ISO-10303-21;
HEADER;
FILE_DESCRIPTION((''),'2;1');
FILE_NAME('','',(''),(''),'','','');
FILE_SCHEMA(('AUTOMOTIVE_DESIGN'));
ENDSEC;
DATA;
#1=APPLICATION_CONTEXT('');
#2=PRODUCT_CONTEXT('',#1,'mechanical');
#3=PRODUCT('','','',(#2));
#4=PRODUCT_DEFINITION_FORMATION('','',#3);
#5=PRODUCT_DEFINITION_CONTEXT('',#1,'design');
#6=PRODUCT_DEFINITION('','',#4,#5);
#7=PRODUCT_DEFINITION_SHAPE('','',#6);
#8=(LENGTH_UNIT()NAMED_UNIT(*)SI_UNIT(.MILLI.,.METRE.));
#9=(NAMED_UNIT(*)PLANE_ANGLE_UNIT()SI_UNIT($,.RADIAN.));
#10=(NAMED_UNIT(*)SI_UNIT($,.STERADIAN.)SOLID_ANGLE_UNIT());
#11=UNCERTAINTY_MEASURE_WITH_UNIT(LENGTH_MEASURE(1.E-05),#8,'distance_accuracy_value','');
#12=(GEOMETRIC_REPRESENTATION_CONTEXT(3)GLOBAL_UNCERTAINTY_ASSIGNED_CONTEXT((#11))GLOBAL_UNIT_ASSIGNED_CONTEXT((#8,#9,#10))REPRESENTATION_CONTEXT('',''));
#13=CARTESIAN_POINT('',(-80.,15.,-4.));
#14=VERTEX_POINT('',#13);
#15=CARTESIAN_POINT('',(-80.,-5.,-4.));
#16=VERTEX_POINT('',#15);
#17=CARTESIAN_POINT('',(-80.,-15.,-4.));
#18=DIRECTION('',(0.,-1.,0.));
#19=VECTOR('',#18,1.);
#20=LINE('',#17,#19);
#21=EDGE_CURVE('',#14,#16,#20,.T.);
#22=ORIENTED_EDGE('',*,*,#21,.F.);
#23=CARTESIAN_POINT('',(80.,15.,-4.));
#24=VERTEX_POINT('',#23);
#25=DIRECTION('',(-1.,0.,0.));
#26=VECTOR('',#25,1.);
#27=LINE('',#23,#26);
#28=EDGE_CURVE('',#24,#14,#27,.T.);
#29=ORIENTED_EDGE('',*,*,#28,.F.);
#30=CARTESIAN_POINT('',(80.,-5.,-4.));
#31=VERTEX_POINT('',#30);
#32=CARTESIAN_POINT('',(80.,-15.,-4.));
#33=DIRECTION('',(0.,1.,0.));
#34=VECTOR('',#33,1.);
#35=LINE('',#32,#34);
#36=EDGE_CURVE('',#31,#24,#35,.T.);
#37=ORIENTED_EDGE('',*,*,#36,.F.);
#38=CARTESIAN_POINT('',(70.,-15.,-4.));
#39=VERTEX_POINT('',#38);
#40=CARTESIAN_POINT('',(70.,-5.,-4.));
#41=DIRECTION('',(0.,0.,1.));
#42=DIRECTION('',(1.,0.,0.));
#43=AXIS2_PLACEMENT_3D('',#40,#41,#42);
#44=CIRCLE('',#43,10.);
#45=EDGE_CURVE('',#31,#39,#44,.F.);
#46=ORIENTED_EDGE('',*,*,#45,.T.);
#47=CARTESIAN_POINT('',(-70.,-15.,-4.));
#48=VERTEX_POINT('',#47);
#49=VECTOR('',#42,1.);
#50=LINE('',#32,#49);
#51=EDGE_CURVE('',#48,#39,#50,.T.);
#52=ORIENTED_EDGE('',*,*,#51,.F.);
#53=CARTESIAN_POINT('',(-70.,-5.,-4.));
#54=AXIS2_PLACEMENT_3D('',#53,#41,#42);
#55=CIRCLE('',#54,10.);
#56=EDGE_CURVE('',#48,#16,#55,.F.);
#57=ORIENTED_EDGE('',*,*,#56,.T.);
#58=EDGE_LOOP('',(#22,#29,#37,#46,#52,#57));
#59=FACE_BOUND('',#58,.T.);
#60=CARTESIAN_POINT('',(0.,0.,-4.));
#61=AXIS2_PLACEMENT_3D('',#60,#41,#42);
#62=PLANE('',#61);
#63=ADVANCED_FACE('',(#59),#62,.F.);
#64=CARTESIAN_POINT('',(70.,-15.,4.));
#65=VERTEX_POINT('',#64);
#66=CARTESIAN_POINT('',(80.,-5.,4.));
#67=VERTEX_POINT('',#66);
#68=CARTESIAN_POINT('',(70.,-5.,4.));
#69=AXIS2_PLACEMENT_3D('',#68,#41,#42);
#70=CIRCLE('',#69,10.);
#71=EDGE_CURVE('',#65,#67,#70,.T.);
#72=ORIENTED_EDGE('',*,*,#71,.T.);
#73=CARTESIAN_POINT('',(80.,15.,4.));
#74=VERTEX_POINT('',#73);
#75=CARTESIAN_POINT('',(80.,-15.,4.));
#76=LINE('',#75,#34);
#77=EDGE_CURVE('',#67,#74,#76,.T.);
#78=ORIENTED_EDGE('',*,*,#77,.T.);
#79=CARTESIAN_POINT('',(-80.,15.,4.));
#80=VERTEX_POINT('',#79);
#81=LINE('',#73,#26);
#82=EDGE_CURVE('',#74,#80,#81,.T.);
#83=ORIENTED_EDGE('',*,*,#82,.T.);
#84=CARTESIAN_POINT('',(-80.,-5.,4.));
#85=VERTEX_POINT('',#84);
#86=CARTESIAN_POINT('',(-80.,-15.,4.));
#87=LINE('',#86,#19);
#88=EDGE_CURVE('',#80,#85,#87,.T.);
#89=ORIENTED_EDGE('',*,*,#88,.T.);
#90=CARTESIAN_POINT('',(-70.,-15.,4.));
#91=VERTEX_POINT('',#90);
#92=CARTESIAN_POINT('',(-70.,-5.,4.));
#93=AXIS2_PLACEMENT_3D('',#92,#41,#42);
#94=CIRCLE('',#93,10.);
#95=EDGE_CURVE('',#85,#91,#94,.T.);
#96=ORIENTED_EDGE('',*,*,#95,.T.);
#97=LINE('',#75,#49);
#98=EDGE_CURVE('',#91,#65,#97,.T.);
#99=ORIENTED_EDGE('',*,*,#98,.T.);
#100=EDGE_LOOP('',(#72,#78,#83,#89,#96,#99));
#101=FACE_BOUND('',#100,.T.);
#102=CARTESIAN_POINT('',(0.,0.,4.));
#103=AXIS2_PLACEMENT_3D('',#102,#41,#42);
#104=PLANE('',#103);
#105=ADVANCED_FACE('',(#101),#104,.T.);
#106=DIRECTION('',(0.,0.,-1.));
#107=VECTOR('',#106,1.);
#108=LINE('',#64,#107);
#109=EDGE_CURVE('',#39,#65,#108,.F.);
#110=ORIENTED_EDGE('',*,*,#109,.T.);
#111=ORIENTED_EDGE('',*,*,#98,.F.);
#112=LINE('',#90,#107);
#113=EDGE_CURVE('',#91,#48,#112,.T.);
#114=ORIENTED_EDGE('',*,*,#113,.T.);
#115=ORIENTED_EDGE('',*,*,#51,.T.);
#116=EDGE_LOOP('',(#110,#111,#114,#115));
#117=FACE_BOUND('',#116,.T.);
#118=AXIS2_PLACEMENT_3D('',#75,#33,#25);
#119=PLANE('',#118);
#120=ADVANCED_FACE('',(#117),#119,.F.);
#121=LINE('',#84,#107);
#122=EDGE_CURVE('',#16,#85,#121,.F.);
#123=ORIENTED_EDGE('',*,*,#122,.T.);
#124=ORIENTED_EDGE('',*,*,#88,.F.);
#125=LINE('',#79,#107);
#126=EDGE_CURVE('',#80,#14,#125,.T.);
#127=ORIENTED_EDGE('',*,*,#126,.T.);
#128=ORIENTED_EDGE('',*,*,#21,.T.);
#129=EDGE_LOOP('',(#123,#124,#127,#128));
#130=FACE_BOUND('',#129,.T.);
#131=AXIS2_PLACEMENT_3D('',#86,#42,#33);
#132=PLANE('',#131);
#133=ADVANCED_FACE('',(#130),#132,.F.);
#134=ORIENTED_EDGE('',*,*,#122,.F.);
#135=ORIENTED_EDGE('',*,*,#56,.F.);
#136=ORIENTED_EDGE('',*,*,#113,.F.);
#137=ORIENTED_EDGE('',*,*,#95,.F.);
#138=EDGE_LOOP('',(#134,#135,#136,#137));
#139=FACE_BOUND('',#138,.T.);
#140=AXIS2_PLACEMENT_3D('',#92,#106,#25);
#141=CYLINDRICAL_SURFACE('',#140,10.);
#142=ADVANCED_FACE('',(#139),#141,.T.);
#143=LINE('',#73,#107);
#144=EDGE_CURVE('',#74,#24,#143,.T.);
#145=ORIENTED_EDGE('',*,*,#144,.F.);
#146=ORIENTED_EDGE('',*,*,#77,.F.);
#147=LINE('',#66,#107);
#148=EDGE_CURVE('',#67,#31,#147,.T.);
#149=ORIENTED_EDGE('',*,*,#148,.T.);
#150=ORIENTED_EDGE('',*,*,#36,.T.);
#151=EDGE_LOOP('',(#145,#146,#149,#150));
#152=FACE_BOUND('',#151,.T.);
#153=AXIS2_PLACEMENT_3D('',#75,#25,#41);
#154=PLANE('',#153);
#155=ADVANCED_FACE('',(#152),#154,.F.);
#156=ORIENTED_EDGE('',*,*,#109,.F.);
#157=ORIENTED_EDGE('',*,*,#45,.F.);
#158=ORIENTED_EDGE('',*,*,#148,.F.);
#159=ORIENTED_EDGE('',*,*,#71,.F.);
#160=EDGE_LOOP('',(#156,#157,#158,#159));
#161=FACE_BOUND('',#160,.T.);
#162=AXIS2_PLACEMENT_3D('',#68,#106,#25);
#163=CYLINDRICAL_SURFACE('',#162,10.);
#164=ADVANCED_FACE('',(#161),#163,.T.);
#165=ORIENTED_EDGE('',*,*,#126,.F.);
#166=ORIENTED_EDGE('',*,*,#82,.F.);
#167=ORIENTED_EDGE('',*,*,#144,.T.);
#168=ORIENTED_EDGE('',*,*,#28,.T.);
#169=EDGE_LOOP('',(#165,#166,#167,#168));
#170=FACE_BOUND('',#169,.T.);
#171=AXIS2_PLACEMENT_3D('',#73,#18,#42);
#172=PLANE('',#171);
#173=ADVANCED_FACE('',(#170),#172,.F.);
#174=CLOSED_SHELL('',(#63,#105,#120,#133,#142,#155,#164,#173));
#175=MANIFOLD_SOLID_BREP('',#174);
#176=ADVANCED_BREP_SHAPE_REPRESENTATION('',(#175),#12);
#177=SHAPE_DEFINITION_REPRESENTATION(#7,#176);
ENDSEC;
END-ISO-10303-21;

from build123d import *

# Parameters (mm, degrees)
SKETCH1_W           = 160
SKETCH1_H           = 30
BOSS_EXTRUDE1_DEPTH = 4
FILLET1_R           = 10


with BuildPart() as part:
    # Sketch1 → Boss-Extrude1 (new, symmetric)
    with BuildSketch(Plane.XY):
        Rectangle(SKETCH1_W, SKETCH1_H)
    extrude(amount=BOSS_EXTRUDE1_DEPTH, both=True)

    # Fillet1
    fillet1_edges = [part.edges().sort_by_distance(p)[0] for p in [
        (80, -15, 0),
        (-80, -15, 0),
    ]]
    fillet(fillet1_edges, radius=FILLET1_R)


solid = part.part
